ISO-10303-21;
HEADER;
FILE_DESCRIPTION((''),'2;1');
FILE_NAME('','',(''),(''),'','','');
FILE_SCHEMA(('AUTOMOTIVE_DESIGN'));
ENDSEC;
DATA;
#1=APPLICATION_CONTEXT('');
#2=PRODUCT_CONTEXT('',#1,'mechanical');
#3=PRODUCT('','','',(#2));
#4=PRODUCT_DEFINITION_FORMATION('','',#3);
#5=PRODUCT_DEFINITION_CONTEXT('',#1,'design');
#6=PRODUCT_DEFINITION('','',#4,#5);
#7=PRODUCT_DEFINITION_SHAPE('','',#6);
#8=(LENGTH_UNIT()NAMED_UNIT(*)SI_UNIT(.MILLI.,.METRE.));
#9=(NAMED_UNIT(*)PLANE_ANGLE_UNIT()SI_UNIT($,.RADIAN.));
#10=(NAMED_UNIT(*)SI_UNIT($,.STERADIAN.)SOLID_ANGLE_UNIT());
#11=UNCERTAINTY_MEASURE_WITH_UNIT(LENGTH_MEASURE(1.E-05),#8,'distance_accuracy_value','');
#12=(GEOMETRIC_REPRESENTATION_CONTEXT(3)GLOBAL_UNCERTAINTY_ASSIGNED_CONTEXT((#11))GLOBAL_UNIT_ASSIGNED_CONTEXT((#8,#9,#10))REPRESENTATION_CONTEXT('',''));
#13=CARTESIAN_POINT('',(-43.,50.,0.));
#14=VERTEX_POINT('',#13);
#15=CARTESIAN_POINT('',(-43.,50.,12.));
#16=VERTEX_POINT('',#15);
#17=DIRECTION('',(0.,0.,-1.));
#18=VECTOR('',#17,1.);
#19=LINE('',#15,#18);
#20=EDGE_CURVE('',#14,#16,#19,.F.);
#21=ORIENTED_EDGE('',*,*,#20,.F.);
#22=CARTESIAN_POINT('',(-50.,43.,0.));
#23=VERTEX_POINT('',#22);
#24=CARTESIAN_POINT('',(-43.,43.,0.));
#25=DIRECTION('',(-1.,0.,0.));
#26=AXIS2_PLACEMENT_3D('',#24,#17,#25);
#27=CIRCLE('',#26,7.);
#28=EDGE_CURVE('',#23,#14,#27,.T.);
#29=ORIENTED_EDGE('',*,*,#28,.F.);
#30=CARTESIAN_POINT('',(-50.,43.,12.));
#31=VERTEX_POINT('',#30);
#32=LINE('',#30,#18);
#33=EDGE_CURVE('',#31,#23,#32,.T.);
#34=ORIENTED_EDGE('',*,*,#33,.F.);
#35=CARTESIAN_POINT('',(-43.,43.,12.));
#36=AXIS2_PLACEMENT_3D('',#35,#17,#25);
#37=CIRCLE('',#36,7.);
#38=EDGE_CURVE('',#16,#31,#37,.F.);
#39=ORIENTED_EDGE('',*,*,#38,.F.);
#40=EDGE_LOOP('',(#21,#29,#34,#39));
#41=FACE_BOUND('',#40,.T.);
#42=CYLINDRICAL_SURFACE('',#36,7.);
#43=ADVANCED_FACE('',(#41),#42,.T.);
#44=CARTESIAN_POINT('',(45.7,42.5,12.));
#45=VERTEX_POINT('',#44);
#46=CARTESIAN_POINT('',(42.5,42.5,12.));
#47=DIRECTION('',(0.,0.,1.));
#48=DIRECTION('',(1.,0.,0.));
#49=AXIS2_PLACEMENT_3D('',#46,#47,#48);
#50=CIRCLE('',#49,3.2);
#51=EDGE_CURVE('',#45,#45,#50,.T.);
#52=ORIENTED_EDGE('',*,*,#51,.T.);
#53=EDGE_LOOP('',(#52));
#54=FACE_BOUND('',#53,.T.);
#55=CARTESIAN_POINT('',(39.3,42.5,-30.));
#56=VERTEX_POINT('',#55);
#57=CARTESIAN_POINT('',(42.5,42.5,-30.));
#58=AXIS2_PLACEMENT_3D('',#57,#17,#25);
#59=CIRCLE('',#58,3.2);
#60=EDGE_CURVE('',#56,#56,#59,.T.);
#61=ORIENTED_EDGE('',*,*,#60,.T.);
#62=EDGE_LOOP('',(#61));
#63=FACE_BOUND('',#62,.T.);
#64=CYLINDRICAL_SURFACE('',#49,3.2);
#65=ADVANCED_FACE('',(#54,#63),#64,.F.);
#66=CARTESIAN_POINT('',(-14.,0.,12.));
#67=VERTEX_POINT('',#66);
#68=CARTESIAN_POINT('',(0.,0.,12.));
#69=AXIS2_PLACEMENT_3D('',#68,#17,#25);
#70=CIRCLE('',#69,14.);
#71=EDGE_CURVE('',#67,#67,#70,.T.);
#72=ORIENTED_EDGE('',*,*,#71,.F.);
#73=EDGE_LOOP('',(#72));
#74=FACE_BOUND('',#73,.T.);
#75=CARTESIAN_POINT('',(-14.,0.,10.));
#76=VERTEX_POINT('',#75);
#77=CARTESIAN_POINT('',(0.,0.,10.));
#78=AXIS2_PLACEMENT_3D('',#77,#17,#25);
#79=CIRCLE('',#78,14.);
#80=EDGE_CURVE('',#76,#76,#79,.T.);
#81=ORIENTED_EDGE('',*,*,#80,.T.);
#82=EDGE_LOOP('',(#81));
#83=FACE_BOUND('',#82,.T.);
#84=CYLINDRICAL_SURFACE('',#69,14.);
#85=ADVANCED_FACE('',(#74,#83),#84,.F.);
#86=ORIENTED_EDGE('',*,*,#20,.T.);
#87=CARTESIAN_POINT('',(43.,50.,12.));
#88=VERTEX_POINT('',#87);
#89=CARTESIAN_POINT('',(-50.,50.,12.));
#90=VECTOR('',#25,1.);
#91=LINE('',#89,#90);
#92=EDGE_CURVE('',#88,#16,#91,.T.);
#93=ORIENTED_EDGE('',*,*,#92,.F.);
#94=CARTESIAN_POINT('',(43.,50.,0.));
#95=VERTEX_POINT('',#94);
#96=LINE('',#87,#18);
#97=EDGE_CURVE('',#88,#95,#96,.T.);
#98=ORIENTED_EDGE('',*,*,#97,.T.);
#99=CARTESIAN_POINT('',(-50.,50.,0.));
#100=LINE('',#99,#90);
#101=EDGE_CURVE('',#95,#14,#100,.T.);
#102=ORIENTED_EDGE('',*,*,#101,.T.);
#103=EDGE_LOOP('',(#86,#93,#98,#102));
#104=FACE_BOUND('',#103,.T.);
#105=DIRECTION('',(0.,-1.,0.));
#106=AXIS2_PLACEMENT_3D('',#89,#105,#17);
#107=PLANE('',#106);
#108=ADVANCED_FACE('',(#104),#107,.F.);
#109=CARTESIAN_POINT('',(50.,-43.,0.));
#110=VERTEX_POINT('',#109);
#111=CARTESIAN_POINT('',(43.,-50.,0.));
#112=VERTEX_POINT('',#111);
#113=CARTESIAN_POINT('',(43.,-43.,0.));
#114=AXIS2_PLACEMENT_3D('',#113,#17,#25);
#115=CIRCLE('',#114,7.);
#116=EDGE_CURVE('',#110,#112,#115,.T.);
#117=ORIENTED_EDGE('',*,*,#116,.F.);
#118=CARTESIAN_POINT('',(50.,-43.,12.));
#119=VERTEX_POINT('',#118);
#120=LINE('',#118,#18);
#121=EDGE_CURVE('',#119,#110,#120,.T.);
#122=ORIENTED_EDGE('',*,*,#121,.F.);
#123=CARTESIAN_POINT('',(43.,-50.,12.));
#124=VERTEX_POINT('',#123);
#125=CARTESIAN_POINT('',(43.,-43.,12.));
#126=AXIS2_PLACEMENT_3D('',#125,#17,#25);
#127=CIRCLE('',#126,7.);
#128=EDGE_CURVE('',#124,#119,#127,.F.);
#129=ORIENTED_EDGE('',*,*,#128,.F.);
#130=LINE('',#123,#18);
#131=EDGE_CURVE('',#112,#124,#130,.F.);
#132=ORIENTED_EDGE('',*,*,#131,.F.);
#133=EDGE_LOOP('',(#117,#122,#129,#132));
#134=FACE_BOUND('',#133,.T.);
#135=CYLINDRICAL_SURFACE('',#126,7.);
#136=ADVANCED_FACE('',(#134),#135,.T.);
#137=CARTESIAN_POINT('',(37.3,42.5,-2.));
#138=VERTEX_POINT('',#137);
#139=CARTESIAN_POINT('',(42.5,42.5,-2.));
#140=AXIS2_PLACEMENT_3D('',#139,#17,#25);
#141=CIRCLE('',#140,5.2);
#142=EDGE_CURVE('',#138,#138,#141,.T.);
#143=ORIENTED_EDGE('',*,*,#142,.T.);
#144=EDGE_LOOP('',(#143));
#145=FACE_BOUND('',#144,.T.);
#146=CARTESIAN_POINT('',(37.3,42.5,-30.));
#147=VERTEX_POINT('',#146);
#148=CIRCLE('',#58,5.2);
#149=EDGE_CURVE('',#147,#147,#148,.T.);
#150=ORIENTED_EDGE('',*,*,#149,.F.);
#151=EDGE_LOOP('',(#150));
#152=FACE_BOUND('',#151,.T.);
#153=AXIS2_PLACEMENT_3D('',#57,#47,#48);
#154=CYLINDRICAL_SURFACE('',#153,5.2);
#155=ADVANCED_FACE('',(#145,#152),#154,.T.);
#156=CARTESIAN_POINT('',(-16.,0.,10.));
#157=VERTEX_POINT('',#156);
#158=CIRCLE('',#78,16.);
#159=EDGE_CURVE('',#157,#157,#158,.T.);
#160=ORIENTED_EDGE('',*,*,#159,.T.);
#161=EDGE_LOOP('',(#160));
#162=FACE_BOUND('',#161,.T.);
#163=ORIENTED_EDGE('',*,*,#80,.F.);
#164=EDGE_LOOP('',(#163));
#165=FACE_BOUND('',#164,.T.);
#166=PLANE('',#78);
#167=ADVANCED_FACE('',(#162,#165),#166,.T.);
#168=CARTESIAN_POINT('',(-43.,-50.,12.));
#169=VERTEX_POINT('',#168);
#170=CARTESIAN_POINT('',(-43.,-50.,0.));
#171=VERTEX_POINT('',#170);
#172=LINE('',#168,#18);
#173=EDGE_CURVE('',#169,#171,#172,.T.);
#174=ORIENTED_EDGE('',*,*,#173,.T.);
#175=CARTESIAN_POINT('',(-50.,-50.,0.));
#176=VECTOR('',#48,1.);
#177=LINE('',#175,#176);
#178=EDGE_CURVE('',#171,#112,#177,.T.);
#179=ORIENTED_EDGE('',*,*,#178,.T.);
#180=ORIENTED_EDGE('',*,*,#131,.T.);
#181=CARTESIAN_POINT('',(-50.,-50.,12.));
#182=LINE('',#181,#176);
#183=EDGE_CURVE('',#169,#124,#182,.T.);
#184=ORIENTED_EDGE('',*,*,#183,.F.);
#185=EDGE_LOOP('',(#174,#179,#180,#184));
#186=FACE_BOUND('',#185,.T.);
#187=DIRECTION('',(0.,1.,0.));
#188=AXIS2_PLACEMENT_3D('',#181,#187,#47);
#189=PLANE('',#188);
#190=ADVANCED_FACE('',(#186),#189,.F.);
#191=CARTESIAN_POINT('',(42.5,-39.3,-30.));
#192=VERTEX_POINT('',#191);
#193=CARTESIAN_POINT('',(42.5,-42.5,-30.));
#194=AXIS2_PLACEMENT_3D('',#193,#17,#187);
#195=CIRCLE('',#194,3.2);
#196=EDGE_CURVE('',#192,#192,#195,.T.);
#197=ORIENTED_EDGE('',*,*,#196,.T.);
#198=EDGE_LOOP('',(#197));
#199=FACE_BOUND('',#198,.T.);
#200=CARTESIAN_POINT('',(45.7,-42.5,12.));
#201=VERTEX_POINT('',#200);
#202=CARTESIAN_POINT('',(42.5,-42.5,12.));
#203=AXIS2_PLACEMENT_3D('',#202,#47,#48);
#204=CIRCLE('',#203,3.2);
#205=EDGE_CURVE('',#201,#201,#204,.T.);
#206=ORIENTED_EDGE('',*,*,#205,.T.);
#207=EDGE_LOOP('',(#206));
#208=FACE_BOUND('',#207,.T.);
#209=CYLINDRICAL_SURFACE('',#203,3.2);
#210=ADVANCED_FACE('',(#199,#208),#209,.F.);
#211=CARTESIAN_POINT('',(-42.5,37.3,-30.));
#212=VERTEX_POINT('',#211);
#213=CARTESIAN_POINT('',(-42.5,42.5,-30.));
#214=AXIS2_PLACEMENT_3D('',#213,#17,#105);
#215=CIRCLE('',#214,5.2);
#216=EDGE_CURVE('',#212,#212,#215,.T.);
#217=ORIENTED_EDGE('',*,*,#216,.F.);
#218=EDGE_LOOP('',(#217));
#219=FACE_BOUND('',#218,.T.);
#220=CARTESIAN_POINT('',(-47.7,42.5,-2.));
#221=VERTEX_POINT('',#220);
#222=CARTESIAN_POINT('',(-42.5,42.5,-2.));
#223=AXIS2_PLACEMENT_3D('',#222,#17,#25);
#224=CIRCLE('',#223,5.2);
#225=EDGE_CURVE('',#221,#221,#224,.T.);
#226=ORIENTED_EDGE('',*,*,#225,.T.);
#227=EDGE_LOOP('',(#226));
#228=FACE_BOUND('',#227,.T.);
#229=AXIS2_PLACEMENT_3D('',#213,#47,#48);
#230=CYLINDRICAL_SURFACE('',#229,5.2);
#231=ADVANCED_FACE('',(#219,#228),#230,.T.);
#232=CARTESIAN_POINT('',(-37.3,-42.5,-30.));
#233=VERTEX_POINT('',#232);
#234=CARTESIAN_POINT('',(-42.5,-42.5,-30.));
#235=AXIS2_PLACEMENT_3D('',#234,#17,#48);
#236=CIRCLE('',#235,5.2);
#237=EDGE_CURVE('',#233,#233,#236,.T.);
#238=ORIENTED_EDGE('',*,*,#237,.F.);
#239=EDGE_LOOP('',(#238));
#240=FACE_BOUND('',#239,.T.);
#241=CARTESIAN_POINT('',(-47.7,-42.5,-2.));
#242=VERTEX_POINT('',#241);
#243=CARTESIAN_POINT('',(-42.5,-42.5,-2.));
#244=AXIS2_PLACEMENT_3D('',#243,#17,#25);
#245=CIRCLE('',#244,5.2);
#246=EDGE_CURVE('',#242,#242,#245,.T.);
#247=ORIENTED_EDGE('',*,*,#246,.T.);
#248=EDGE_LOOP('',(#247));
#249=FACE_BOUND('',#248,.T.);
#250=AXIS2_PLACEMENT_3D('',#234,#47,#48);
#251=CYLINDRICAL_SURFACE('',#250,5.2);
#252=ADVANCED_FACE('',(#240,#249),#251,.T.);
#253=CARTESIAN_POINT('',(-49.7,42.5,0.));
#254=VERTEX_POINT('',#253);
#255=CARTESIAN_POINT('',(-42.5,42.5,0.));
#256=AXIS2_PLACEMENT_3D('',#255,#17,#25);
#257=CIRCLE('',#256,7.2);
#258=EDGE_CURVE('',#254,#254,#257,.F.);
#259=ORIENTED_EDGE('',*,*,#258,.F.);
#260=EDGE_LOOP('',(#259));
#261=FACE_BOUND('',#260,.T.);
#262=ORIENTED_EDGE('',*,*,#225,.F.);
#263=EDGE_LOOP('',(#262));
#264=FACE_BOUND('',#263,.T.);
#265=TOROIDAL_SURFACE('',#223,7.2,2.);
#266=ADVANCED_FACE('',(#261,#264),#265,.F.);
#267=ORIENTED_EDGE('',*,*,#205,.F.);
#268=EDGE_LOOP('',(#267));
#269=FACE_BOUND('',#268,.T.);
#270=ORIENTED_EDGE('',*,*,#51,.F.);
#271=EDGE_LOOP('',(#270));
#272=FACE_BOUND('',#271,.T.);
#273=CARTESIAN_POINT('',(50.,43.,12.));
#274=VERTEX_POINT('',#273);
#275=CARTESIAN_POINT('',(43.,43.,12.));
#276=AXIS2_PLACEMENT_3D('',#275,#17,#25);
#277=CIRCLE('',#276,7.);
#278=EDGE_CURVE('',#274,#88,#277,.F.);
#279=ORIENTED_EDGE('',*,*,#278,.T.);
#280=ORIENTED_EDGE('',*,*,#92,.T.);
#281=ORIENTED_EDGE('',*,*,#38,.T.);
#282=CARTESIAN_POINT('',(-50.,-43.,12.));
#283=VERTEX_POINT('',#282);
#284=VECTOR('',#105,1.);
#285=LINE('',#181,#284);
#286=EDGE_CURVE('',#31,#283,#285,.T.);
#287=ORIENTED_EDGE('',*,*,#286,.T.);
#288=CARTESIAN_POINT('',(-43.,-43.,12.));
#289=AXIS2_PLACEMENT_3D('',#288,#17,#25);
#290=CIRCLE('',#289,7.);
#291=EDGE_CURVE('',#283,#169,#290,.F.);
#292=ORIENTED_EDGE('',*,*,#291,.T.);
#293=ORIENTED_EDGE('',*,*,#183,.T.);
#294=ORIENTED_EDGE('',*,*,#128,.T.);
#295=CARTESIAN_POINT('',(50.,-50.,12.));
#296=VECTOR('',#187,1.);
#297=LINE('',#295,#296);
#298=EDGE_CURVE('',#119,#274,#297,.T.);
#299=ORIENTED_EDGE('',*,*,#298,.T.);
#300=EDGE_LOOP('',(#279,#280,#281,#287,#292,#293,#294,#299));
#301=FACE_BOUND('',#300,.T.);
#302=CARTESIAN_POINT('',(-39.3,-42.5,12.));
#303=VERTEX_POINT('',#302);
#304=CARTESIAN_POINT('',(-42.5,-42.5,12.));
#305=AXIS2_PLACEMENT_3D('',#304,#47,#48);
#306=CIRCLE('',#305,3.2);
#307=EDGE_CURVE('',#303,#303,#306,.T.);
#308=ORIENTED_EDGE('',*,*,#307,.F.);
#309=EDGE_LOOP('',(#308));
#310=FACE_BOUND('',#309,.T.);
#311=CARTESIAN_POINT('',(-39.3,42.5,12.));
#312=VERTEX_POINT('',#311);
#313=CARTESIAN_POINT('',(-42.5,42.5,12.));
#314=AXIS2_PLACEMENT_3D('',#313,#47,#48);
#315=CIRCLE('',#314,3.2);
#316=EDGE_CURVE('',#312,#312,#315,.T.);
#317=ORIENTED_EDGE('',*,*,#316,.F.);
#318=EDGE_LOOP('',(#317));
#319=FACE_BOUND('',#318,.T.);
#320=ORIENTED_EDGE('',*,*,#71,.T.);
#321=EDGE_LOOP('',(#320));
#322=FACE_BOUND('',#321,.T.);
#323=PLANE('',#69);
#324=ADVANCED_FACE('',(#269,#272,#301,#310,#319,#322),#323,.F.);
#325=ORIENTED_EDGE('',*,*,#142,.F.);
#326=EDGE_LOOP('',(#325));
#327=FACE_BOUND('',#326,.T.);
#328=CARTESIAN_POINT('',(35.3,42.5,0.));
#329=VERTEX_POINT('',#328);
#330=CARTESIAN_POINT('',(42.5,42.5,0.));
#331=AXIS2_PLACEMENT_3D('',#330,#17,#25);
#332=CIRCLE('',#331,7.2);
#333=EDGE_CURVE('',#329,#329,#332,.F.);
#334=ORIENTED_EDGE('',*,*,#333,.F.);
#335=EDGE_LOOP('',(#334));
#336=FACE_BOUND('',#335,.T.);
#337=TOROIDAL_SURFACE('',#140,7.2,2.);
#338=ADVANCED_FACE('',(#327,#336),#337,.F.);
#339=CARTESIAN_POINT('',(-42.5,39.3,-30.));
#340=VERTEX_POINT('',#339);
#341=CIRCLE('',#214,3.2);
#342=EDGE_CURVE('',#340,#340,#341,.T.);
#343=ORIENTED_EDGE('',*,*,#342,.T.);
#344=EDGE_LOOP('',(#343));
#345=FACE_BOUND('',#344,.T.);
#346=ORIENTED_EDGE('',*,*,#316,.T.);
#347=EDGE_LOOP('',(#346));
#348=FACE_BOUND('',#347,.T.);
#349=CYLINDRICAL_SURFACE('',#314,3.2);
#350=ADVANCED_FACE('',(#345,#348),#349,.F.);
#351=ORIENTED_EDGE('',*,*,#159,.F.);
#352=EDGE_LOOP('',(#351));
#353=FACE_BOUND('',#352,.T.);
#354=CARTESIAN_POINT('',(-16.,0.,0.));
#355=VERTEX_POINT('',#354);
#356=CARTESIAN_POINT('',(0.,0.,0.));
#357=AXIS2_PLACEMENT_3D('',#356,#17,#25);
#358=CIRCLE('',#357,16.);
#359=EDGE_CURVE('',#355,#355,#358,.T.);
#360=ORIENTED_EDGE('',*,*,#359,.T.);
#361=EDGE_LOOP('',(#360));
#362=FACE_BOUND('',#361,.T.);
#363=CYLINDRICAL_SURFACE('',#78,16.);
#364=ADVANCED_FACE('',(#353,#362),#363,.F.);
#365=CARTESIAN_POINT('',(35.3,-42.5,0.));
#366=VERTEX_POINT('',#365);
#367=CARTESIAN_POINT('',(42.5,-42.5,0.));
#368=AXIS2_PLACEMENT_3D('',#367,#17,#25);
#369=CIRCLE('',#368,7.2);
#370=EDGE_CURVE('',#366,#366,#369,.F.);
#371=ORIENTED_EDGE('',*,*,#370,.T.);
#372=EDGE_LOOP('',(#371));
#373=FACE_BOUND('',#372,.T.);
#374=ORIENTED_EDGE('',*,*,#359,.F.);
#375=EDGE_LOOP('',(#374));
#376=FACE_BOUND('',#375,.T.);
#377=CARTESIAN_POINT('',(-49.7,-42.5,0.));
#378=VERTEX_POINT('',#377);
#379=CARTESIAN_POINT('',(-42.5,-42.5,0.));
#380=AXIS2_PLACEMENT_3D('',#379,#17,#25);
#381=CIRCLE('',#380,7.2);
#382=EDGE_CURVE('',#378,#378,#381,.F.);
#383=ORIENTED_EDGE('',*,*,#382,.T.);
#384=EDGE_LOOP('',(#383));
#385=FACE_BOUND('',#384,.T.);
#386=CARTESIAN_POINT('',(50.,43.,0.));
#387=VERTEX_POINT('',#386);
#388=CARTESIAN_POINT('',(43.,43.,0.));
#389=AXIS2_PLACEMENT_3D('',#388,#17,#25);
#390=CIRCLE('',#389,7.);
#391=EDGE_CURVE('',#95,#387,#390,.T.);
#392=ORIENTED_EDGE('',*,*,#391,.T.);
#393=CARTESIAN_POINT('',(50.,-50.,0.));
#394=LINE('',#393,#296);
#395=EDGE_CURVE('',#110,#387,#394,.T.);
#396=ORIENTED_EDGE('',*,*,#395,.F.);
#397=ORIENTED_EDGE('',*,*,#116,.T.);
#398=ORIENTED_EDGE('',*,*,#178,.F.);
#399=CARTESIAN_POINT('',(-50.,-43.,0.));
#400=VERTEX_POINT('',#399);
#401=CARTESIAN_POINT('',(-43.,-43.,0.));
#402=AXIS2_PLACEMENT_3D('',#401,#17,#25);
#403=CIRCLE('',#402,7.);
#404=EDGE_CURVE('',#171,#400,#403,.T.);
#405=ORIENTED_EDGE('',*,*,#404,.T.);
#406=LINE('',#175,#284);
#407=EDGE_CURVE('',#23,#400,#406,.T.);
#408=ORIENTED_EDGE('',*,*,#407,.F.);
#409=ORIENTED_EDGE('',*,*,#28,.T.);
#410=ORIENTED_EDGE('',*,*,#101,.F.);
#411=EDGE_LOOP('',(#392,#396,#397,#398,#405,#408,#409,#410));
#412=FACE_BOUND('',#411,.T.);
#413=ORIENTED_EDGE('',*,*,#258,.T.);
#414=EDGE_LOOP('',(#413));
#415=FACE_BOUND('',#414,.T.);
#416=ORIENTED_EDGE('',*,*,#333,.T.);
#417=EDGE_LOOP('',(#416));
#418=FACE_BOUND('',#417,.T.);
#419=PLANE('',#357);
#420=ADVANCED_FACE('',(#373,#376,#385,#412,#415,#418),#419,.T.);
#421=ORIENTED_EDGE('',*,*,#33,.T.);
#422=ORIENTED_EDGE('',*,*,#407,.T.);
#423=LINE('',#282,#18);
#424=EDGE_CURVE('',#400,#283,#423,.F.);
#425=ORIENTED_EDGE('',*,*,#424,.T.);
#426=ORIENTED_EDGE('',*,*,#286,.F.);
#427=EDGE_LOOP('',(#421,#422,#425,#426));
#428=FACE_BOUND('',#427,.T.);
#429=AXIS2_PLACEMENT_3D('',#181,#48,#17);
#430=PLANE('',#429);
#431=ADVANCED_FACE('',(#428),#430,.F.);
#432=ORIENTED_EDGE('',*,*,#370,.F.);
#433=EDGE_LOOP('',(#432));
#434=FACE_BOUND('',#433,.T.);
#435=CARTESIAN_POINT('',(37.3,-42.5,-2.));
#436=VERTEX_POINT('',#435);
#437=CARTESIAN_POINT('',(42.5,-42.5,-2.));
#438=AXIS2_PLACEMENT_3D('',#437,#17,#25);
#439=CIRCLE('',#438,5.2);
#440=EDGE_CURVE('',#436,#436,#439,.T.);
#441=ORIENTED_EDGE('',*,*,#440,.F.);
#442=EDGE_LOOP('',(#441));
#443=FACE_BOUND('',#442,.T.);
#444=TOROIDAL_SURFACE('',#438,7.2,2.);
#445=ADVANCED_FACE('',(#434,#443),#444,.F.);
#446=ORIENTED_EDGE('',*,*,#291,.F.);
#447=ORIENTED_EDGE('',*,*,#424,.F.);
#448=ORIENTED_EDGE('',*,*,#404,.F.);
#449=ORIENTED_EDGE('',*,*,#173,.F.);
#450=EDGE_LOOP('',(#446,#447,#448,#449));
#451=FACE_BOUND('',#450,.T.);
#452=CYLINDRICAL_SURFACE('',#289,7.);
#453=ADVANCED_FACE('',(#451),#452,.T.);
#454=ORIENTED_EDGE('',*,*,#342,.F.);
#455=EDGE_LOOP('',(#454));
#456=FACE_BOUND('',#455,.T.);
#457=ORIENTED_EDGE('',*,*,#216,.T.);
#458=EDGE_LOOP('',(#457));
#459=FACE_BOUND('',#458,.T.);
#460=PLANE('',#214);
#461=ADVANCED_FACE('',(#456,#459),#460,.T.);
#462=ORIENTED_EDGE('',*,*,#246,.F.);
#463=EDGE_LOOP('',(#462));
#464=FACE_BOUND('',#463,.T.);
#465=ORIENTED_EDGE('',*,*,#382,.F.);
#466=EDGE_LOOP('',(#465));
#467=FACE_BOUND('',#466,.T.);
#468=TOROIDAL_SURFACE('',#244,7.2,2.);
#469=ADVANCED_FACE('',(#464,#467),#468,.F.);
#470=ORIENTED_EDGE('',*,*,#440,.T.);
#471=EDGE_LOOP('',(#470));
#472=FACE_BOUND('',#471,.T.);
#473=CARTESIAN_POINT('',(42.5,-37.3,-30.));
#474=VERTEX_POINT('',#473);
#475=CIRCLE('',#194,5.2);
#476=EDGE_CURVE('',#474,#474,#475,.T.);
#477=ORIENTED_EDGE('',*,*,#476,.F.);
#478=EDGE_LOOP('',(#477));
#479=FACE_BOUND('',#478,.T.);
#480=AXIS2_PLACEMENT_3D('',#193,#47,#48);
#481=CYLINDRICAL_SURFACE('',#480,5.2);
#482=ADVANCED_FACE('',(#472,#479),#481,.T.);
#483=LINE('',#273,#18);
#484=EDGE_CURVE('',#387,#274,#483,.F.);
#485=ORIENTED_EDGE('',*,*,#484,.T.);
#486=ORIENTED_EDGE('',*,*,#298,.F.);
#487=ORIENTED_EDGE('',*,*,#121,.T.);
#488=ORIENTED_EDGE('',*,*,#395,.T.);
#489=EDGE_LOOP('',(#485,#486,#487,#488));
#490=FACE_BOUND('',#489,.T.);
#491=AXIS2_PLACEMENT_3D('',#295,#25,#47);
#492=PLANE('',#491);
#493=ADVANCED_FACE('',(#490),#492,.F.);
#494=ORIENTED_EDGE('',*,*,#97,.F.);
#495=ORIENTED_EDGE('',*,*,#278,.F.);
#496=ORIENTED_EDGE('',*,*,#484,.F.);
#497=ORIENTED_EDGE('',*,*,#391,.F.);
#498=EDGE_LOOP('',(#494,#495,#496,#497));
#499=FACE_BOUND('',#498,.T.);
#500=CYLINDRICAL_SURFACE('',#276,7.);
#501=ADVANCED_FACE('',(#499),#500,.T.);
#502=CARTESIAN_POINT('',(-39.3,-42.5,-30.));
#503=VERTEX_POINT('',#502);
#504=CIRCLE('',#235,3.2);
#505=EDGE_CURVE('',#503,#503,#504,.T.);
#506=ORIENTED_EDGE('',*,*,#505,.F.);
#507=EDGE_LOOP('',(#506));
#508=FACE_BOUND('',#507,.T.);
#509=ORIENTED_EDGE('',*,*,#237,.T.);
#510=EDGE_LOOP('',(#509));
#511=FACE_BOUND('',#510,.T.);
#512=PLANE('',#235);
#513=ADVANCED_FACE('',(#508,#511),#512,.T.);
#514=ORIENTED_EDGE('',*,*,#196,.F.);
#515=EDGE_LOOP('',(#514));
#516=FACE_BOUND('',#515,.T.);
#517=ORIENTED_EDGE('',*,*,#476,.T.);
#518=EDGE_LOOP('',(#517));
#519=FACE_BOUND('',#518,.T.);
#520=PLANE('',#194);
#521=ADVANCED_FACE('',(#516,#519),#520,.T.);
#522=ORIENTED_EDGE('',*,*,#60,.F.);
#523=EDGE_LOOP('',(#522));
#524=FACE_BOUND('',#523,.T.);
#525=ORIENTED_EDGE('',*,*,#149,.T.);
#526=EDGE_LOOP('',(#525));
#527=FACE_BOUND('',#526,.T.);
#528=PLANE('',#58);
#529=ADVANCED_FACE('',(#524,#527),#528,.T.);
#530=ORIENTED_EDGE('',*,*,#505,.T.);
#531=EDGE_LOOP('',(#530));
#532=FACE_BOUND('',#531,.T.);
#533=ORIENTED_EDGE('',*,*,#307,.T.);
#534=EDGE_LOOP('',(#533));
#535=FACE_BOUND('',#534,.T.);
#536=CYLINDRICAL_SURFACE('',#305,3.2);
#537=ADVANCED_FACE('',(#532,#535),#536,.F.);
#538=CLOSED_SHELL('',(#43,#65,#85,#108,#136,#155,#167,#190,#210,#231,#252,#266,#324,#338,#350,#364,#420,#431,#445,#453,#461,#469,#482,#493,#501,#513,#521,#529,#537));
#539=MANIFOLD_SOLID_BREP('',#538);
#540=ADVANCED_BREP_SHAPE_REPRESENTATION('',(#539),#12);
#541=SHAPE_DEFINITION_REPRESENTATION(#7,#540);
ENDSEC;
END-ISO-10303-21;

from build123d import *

# Parameters (mm, degrees)
SKETCH2_W            = 100
SKETCH2_H            = 100
BOSS_EXTRUDE1_DEPTH  = 12
SKETCH3_R            = 16
CUT_EXTRUDE1_DEPTH   = 10
M6_CLEARANCE_HOLE1_D = 6.4
BOSS_EXTRUDE2_START  = 30
SKETCH17_R           = 5.2
SKETCH17_R_2         = 3.2
BOSS_EXTRUDE2_DEPTH  = 30
CIRPATTERN1_COUNT    = 4
SKETCH18_R           = 14
CUT_EXTRUDE3_DEPTH   = 77.811457479
FILLET1_R            = 2
FILLET2_R            = 7


with BuildPart() as part:
    # Sketch2 → Boss-Extrude1 (new body)
    with BuildSketch(Plane.XY):
        Rectangle(SKETCH2_W, SKETCH2_H)
    extrude(amount=BOSS_EXTRUDE1_DEPTH)

    # Sketch3 → Cut-Extrude1 (cut)
    with BuildSketch(Plane(origin=(0, 0, 0), x_dir=(-1, 0, 0), z_dir=(0, 0, -1))):
        Circle(SKETCH3_R)
    extrude(amount=-CUT_EXTRUDE1_DEPTH, mode=Mode.SUBTRACT)

    # M6 Clearance Hole1 (through all)
    with Locations(Plane(origin=(0, 0, 12), x_dir=(-1, 0, 0), z_dir=(0, 0, 1))):
        with Locations((42.5, -42.5), (-42.5, 42.5), (-42.5, -42.5), (42.5, 42.5)):
            Hole(M6_CLEARANCE_HOLE1_D / 2)

    # Sketch17 → Boss-Extrude2 (add)
    with BuildSketch(Plane(origin=(0, 0, 0), x_dir=(-1, 0, 0), z_dir=(0, 0, -1)).offset(BOSS_EXTRUDE2_START)):
        with Locations((-42.5, 42.5)):
            Circle(SKETCH17_R)
        with Locations(Location((-42.5, 42.5, 0), (0, 0, 180))):
            Circle(SKETCH17_R_2, mode=Mode.SUBTRACT)
    boss_extrude2 = extrude(amount=-BOSS_EXTRUDE2_DEPTH)

    # CirPattern1: Boss-Extrude2 ×4 about axis
    cirpattern1_axis = Axis((0, 0, 0), (0, 0, 1))
    for i in range(1, CIRPATTERN1_COUNT):
        add(boss_extrude2.rotate(cirpattern1_axis, i * 360 / CIRPATTERN1_COUNT))

    # Sketch18 → Cut-Extrude3 (cut, through all)
    with BuildSketch(Plane(origin=(0, 0, 0), x_dir=(-1, 0, 0), z_dir=(0, 0, -1))):
        Circle(SKETCH18_R)
    extrude(amount=-CUT_EXTRUDE3_DEPTH, mode=Mode.SUBTRACT)

    # Fillet1
    fillet1_edges = [part.edges().sort_by_distance(p)[0] for p in [
        (47.7, 42.5, 0),
        (-42.5, 47.7, 0),
        (-47.7, -42.5, 0),
        (42.5, -47.7, 0),
    ]]
    fillet(fillet1_edges, radius=FILLET1_R)

    # Fillet2
    fillet2_edges = [part.edges().sort_by_distance(p)[0] for p in [
        (50, -50, 6),
        (-50, -50, 6),
        (-50, 50, 6),
        (50, 50, 6),
    ]]
    fillet(fillet2_edges, radius=FILLET2_R)


solid = part.part
